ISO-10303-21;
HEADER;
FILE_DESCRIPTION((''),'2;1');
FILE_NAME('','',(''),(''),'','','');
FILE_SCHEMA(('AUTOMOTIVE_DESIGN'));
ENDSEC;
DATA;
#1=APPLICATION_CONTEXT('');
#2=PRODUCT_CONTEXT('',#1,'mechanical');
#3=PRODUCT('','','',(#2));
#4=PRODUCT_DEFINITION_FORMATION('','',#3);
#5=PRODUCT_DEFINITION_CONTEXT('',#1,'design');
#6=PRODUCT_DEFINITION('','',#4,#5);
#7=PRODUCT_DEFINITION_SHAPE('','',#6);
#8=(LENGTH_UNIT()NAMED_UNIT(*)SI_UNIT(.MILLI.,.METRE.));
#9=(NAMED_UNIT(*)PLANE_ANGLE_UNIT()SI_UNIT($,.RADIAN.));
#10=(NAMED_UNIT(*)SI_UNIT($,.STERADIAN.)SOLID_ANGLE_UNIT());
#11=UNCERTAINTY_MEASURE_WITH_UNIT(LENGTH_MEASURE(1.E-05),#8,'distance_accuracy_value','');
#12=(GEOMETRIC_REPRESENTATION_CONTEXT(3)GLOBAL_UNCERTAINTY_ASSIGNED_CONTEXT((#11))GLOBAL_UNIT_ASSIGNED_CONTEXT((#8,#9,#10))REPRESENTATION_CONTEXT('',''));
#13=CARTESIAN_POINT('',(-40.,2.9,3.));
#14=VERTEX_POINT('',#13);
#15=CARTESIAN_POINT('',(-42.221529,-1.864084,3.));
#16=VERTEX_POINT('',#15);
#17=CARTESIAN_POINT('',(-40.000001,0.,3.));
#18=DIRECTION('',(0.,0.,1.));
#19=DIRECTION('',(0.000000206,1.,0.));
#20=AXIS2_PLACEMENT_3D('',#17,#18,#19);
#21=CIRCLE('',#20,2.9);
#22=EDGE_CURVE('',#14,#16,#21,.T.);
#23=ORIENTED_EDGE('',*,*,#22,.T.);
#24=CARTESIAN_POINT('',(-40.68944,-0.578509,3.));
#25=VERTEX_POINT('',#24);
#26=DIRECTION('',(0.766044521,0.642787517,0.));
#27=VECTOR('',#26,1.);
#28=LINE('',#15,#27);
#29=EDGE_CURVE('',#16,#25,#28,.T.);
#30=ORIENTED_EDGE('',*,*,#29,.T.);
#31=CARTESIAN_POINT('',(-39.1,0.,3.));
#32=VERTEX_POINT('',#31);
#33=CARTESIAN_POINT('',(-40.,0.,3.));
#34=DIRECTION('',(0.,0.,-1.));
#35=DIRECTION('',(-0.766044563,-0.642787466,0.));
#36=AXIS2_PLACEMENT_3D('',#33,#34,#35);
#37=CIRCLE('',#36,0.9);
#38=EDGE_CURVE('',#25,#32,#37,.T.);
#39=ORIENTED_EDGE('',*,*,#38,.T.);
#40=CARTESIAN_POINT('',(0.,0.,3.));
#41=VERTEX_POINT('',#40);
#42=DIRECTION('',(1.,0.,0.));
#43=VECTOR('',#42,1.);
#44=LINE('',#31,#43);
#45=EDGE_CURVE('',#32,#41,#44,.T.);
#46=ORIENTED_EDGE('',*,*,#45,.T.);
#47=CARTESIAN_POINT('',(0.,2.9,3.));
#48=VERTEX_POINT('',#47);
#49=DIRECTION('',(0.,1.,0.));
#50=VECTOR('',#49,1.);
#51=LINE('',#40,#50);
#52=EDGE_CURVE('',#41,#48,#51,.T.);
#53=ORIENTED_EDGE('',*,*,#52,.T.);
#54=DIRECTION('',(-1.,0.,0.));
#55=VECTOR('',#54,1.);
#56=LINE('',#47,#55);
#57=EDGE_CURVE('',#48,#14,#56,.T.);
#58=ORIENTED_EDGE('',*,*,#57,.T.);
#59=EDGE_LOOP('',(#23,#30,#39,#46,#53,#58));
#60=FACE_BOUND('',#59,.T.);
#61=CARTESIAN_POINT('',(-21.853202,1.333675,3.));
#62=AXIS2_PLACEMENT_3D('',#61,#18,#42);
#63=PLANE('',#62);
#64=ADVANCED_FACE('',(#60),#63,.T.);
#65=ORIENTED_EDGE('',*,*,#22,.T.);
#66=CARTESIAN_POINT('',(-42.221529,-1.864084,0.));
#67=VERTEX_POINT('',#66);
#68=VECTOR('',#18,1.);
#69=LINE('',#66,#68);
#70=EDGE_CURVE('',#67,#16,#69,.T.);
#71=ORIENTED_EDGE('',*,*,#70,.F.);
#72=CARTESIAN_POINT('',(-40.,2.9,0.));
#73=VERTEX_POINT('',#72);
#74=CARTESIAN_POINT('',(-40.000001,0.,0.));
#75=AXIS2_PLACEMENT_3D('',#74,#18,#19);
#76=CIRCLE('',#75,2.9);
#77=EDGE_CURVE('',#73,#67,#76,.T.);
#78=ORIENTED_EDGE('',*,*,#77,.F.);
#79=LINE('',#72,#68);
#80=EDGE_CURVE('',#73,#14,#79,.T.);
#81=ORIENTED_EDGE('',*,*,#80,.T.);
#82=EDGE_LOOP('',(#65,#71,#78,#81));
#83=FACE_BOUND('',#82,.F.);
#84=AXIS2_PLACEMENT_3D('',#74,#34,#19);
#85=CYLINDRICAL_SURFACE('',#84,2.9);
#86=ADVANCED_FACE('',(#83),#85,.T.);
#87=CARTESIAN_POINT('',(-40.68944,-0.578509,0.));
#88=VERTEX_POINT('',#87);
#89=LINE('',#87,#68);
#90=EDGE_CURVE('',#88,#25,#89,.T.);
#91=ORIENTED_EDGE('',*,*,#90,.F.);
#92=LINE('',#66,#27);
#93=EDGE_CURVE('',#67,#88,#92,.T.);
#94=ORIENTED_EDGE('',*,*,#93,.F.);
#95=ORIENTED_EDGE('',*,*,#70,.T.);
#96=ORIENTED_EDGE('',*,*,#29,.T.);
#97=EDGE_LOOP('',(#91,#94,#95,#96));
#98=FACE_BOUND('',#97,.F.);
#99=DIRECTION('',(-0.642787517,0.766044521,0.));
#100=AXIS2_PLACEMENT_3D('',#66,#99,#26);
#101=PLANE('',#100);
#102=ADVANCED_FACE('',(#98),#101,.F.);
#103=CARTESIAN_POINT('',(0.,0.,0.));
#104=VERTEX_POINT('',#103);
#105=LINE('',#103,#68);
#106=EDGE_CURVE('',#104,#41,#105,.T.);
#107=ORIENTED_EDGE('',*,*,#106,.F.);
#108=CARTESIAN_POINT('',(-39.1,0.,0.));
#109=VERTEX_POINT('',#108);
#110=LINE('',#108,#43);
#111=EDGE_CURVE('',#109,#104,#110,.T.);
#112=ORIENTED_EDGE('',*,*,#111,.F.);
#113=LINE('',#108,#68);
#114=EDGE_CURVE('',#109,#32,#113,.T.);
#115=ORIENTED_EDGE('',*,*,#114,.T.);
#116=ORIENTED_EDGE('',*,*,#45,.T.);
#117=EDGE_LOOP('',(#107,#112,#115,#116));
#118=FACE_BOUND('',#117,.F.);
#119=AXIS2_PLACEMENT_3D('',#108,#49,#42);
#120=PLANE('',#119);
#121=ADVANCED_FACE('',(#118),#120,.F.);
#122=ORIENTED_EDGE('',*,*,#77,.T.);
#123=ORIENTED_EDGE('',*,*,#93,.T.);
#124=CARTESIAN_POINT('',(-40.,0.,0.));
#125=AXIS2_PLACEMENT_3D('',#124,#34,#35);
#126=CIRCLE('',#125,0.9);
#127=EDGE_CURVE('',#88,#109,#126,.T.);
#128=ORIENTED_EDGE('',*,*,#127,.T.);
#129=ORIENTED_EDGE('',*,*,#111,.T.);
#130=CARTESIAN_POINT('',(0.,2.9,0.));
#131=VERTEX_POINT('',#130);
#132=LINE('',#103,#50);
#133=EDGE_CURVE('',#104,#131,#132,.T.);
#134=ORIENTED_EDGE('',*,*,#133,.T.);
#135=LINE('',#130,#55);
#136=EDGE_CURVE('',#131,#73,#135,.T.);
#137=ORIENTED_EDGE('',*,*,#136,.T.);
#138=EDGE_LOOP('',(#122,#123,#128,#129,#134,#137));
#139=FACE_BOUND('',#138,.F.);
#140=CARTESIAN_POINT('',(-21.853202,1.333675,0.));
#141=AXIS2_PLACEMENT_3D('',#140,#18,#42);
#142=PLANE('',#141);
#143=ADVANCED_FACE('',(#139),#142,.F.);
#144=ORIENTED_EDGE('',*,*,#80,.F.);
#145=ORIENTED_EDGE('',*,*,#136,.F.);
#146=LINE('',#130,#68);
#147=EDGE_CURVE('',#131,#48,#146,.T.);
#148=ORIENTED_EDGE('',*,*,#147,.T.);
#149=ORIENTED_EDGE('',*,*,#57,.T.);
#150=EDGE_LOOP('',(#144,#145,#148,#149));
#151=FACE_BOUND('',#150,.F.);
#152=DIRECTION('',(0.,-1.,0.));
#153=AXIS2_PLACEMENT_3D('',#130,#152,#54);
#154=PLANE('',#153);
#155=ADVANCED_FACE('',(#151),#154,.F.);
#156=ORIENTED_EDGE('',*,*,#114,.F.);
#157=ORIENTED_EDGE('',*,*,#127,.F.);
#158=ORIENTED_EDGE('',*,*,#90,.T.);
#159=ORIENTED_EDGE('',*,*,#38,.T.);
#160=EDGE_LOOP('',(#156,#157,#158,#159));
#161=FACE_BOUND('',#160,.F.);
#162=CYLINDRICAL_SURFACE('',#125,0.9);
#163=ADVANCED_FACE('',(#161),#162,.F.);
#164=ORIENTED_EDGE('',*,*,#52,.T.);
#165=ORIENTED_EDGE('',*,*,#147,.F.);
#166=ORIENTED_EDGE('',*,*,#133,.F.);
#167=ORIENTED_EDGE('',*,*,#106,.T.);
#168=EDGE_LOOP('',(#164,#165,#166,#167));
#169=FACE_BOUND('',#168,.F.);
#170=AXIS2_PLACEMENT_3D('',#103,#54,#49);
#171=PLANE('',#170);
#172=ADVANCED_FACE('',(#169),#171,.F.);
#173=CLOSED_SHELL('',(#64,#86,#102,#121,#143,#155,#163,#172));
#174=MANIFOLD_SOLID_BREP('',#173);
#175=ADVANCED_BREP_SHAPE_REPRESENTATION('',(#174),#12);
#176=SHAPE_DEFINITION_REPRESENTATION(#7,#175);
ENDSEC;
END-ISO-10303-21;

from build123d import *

# Parameters (mm, degrees)
F1_DEPTH = 3


with BuildPart() as f1:
    # F0 (on Top) → F1 (new body)
    with BuildSketch(Plane.XY):
        with BuildLine():
            ThreePointArc((-40.68944, -0.578509), (-40.307818, 0.845723), (-39.1, 0))
            Line((-39.1, 0), (-37.1, 0))
            Line((-37.1, 0), (0, 0))
            Line((0, 0), (0, 2.9))
            Line((0, 2.9), (-40, 2.9))
            ThreePointArc((-40, 2.9), (-42.628293, 1.225593), (-42.221529, -1.864084))
            Line((-42.221529, -1.864084), (-40.68944, -0.578509))
        make_face()
    extrude(amount=F1_DEPTH)


solid = f1.part
